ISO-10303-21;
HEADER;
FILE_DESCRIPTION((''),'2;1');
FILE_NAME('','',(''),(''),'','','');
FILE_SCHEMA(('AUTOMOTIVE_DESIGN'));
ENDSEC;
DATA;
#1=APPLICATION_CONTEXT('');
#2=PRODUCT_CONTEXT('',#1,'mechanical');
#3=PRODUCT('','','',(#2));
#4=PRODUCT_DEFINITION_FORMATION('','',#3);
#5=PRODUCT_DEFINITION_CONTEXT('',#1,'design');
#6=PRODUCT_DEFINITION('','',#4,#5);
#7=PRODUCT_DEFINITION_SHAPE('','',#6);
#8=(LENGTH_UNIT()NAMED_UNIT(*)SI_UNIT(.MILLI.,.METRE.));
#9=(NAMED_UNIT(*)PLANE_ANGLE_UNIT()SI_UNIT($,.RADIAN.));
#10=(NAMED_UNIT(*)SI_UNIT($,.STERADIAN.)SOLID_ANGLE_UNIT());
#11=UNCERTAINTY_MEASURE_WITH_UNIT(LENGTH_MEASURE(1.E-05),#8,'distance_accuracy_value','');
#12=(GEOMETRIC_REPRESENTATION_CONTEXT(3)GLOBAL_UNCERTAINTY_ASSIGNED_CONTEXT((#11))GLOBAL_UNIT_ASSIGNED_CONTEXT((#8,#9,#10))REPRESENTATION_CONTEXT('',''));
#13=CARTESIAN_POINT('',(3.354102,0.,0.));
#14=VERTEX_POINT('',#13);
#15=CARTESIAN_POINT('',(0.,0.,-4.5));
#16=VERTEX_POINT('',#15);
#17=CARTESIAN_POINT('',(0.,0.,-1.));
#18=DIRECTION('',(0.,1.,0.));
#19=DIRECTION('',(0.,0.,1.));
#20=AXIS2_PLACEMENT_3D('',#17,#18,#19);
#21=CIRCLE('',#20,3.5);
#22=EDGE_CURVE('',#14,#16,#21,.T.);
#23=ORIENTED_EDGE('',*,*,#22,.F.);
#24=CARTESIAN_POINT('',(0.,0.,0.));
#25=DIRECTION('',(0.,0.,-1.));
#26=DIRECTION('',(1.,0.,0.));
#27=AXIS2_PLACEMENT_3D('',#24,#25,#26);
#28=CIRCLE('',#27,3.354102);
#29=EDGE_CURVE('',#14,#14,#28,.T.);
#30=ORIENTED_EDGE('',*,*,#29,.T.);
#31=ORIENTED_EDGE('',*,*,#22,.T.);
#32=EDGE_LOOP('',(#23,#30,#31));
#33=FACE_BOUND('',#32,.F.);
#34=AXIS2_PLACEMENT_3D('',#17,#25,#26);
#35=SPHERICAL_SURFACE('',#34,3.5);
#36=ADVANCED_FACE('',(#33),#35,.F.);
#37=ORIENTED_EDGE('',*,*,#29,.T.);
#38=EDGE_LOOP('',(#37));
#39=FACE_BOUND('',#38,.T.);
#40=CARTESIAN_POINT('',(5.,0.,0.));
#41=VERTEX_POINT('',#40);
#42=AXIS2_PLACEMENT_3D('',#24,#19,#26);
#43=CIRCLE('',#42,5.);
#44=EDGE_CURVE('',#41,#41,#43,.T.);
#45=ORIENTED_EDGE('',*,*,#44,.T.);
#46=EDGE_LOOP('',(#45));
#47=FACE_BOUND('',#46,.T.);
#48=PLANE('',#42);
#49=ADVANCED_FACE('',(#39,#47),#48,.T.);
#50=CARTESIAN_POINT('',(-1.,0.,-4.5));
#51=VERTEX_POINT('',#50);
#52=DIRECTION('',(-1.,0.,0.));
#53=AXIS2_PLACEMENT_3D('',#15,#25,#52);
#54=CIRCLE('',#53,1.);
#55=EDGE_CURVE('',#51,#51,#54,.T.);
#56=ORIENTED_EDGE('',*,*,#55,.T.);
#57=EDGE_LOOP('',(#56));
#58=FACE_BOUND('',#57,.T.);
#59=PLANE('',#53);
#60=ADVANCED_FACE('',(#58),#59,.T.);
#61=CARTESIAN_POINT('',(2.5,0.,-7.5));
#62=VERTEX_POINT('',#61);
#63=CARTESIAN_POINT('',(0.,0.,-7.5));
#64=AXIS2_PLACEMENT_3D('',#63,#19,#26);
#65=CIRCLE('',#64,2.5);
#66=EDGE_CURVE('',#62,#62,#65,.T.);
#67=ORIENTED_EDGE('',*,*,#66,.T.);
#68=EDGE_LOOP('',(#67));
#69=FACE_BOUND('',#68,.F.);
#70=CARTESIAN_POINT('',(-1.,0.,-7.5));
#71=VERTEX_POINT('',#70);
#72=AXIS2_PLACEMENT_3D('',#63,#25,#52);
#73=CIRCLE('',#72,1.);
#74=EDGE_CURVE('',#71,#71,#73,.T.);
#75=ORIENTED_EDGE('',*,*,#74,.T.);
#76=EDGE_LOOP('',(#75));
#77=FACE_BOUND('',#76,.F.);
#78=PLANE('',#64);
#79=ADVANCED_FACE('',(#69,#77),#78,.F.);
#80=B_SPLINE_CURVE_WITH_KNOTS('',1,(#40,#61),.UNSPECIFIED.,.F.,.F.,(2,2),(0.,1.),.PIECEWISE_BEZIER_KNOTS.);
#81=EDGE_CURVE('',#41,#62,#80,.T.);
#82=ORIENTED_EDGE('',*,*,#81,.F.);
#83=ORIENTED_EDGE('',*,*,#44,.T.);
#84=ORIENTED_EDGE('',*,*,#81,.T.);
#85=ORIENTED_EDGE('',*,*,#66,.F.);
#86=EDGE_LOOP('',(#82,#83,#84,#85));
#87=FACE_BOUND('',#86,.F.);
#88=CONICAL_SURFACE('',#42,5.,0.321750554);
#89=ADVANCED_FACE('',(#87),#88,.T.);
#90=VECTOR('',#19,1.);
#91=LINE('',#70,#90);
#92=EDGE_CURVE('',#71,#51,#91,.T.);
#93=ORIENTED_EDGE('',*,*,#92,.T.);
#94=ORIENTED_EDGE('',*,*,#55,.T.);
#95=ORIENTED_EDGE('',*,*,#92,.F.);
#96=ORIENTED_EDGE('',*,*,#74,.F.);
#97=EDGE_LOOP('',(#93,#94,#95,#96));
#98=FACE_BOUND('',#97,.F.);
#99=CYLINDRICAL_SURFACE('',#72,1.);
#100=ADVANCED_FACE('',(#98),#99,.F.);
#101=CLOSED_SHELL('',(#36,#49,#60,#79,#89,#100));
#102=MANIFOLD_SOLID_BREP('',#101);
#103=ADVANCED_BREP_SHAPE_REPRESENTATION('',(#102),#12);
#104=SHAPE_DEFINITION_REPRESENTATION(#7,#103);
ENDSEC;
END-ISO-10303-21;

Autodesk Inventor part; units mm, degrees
ref_plane "YZ Plane" through (0, 0, 0) normal (1, 0, 0) x (0, 1, 0)
ref_plane "XZ Plane" through (0, 0, 0) normal (0, 1, 0) x (-1, 0, 0)
sketch "Sketch1" plane through (0, 0, 0) normal (0, 0, 1) x (1, 0, 0)
  circle A0 centre (0, 0) radius 5
  dimension "d0" = 10
ref_plane "Work Plane1" through (0, 0, -7.5) normal (0, 0, 1) x (1, 0, 0)
sketch "Sketch2" plane through (0, 0, -7.5) normal (0, 0, 1) x (1, 0, 0)
  circle A0 centre (0, 0) radius 2.5
  dimension "d2" = 5
loft "Loft1" add profiles "Sketch1", "Sketch2"
sketch "Sketch3" plane through (0, 0, 0) normal (0, 1, 0) x (-1, 0, 0)
  arc A0 (0, 2.5) -> (0, -4.5) centre (0, -1) ccw
  line L0 (0, 5.5184) -> (0, -9.2276)
  line L1 (2.5, -7.5) -> (-2.5, -7.5) projected
  point P0 (0, 0)
  dimension "d7" = 7
  dimension "d9" = 1
revolve "Revolution1" cut sketch "Sketch3" angle 360 about axis through (0, 0, 5.5184) along (0, 0, -1)
sketch "Sketch4" plane through (0, 0, -7.5) normal (0, 0, -1) x (-1, 0, 0)
  circle A0 centre (0, 0) radius 1
  dimension "d10" = 2
extrude "Extrusion1" cut sketch "Sketch4" against normal blind 3
properties part number "Socket"
